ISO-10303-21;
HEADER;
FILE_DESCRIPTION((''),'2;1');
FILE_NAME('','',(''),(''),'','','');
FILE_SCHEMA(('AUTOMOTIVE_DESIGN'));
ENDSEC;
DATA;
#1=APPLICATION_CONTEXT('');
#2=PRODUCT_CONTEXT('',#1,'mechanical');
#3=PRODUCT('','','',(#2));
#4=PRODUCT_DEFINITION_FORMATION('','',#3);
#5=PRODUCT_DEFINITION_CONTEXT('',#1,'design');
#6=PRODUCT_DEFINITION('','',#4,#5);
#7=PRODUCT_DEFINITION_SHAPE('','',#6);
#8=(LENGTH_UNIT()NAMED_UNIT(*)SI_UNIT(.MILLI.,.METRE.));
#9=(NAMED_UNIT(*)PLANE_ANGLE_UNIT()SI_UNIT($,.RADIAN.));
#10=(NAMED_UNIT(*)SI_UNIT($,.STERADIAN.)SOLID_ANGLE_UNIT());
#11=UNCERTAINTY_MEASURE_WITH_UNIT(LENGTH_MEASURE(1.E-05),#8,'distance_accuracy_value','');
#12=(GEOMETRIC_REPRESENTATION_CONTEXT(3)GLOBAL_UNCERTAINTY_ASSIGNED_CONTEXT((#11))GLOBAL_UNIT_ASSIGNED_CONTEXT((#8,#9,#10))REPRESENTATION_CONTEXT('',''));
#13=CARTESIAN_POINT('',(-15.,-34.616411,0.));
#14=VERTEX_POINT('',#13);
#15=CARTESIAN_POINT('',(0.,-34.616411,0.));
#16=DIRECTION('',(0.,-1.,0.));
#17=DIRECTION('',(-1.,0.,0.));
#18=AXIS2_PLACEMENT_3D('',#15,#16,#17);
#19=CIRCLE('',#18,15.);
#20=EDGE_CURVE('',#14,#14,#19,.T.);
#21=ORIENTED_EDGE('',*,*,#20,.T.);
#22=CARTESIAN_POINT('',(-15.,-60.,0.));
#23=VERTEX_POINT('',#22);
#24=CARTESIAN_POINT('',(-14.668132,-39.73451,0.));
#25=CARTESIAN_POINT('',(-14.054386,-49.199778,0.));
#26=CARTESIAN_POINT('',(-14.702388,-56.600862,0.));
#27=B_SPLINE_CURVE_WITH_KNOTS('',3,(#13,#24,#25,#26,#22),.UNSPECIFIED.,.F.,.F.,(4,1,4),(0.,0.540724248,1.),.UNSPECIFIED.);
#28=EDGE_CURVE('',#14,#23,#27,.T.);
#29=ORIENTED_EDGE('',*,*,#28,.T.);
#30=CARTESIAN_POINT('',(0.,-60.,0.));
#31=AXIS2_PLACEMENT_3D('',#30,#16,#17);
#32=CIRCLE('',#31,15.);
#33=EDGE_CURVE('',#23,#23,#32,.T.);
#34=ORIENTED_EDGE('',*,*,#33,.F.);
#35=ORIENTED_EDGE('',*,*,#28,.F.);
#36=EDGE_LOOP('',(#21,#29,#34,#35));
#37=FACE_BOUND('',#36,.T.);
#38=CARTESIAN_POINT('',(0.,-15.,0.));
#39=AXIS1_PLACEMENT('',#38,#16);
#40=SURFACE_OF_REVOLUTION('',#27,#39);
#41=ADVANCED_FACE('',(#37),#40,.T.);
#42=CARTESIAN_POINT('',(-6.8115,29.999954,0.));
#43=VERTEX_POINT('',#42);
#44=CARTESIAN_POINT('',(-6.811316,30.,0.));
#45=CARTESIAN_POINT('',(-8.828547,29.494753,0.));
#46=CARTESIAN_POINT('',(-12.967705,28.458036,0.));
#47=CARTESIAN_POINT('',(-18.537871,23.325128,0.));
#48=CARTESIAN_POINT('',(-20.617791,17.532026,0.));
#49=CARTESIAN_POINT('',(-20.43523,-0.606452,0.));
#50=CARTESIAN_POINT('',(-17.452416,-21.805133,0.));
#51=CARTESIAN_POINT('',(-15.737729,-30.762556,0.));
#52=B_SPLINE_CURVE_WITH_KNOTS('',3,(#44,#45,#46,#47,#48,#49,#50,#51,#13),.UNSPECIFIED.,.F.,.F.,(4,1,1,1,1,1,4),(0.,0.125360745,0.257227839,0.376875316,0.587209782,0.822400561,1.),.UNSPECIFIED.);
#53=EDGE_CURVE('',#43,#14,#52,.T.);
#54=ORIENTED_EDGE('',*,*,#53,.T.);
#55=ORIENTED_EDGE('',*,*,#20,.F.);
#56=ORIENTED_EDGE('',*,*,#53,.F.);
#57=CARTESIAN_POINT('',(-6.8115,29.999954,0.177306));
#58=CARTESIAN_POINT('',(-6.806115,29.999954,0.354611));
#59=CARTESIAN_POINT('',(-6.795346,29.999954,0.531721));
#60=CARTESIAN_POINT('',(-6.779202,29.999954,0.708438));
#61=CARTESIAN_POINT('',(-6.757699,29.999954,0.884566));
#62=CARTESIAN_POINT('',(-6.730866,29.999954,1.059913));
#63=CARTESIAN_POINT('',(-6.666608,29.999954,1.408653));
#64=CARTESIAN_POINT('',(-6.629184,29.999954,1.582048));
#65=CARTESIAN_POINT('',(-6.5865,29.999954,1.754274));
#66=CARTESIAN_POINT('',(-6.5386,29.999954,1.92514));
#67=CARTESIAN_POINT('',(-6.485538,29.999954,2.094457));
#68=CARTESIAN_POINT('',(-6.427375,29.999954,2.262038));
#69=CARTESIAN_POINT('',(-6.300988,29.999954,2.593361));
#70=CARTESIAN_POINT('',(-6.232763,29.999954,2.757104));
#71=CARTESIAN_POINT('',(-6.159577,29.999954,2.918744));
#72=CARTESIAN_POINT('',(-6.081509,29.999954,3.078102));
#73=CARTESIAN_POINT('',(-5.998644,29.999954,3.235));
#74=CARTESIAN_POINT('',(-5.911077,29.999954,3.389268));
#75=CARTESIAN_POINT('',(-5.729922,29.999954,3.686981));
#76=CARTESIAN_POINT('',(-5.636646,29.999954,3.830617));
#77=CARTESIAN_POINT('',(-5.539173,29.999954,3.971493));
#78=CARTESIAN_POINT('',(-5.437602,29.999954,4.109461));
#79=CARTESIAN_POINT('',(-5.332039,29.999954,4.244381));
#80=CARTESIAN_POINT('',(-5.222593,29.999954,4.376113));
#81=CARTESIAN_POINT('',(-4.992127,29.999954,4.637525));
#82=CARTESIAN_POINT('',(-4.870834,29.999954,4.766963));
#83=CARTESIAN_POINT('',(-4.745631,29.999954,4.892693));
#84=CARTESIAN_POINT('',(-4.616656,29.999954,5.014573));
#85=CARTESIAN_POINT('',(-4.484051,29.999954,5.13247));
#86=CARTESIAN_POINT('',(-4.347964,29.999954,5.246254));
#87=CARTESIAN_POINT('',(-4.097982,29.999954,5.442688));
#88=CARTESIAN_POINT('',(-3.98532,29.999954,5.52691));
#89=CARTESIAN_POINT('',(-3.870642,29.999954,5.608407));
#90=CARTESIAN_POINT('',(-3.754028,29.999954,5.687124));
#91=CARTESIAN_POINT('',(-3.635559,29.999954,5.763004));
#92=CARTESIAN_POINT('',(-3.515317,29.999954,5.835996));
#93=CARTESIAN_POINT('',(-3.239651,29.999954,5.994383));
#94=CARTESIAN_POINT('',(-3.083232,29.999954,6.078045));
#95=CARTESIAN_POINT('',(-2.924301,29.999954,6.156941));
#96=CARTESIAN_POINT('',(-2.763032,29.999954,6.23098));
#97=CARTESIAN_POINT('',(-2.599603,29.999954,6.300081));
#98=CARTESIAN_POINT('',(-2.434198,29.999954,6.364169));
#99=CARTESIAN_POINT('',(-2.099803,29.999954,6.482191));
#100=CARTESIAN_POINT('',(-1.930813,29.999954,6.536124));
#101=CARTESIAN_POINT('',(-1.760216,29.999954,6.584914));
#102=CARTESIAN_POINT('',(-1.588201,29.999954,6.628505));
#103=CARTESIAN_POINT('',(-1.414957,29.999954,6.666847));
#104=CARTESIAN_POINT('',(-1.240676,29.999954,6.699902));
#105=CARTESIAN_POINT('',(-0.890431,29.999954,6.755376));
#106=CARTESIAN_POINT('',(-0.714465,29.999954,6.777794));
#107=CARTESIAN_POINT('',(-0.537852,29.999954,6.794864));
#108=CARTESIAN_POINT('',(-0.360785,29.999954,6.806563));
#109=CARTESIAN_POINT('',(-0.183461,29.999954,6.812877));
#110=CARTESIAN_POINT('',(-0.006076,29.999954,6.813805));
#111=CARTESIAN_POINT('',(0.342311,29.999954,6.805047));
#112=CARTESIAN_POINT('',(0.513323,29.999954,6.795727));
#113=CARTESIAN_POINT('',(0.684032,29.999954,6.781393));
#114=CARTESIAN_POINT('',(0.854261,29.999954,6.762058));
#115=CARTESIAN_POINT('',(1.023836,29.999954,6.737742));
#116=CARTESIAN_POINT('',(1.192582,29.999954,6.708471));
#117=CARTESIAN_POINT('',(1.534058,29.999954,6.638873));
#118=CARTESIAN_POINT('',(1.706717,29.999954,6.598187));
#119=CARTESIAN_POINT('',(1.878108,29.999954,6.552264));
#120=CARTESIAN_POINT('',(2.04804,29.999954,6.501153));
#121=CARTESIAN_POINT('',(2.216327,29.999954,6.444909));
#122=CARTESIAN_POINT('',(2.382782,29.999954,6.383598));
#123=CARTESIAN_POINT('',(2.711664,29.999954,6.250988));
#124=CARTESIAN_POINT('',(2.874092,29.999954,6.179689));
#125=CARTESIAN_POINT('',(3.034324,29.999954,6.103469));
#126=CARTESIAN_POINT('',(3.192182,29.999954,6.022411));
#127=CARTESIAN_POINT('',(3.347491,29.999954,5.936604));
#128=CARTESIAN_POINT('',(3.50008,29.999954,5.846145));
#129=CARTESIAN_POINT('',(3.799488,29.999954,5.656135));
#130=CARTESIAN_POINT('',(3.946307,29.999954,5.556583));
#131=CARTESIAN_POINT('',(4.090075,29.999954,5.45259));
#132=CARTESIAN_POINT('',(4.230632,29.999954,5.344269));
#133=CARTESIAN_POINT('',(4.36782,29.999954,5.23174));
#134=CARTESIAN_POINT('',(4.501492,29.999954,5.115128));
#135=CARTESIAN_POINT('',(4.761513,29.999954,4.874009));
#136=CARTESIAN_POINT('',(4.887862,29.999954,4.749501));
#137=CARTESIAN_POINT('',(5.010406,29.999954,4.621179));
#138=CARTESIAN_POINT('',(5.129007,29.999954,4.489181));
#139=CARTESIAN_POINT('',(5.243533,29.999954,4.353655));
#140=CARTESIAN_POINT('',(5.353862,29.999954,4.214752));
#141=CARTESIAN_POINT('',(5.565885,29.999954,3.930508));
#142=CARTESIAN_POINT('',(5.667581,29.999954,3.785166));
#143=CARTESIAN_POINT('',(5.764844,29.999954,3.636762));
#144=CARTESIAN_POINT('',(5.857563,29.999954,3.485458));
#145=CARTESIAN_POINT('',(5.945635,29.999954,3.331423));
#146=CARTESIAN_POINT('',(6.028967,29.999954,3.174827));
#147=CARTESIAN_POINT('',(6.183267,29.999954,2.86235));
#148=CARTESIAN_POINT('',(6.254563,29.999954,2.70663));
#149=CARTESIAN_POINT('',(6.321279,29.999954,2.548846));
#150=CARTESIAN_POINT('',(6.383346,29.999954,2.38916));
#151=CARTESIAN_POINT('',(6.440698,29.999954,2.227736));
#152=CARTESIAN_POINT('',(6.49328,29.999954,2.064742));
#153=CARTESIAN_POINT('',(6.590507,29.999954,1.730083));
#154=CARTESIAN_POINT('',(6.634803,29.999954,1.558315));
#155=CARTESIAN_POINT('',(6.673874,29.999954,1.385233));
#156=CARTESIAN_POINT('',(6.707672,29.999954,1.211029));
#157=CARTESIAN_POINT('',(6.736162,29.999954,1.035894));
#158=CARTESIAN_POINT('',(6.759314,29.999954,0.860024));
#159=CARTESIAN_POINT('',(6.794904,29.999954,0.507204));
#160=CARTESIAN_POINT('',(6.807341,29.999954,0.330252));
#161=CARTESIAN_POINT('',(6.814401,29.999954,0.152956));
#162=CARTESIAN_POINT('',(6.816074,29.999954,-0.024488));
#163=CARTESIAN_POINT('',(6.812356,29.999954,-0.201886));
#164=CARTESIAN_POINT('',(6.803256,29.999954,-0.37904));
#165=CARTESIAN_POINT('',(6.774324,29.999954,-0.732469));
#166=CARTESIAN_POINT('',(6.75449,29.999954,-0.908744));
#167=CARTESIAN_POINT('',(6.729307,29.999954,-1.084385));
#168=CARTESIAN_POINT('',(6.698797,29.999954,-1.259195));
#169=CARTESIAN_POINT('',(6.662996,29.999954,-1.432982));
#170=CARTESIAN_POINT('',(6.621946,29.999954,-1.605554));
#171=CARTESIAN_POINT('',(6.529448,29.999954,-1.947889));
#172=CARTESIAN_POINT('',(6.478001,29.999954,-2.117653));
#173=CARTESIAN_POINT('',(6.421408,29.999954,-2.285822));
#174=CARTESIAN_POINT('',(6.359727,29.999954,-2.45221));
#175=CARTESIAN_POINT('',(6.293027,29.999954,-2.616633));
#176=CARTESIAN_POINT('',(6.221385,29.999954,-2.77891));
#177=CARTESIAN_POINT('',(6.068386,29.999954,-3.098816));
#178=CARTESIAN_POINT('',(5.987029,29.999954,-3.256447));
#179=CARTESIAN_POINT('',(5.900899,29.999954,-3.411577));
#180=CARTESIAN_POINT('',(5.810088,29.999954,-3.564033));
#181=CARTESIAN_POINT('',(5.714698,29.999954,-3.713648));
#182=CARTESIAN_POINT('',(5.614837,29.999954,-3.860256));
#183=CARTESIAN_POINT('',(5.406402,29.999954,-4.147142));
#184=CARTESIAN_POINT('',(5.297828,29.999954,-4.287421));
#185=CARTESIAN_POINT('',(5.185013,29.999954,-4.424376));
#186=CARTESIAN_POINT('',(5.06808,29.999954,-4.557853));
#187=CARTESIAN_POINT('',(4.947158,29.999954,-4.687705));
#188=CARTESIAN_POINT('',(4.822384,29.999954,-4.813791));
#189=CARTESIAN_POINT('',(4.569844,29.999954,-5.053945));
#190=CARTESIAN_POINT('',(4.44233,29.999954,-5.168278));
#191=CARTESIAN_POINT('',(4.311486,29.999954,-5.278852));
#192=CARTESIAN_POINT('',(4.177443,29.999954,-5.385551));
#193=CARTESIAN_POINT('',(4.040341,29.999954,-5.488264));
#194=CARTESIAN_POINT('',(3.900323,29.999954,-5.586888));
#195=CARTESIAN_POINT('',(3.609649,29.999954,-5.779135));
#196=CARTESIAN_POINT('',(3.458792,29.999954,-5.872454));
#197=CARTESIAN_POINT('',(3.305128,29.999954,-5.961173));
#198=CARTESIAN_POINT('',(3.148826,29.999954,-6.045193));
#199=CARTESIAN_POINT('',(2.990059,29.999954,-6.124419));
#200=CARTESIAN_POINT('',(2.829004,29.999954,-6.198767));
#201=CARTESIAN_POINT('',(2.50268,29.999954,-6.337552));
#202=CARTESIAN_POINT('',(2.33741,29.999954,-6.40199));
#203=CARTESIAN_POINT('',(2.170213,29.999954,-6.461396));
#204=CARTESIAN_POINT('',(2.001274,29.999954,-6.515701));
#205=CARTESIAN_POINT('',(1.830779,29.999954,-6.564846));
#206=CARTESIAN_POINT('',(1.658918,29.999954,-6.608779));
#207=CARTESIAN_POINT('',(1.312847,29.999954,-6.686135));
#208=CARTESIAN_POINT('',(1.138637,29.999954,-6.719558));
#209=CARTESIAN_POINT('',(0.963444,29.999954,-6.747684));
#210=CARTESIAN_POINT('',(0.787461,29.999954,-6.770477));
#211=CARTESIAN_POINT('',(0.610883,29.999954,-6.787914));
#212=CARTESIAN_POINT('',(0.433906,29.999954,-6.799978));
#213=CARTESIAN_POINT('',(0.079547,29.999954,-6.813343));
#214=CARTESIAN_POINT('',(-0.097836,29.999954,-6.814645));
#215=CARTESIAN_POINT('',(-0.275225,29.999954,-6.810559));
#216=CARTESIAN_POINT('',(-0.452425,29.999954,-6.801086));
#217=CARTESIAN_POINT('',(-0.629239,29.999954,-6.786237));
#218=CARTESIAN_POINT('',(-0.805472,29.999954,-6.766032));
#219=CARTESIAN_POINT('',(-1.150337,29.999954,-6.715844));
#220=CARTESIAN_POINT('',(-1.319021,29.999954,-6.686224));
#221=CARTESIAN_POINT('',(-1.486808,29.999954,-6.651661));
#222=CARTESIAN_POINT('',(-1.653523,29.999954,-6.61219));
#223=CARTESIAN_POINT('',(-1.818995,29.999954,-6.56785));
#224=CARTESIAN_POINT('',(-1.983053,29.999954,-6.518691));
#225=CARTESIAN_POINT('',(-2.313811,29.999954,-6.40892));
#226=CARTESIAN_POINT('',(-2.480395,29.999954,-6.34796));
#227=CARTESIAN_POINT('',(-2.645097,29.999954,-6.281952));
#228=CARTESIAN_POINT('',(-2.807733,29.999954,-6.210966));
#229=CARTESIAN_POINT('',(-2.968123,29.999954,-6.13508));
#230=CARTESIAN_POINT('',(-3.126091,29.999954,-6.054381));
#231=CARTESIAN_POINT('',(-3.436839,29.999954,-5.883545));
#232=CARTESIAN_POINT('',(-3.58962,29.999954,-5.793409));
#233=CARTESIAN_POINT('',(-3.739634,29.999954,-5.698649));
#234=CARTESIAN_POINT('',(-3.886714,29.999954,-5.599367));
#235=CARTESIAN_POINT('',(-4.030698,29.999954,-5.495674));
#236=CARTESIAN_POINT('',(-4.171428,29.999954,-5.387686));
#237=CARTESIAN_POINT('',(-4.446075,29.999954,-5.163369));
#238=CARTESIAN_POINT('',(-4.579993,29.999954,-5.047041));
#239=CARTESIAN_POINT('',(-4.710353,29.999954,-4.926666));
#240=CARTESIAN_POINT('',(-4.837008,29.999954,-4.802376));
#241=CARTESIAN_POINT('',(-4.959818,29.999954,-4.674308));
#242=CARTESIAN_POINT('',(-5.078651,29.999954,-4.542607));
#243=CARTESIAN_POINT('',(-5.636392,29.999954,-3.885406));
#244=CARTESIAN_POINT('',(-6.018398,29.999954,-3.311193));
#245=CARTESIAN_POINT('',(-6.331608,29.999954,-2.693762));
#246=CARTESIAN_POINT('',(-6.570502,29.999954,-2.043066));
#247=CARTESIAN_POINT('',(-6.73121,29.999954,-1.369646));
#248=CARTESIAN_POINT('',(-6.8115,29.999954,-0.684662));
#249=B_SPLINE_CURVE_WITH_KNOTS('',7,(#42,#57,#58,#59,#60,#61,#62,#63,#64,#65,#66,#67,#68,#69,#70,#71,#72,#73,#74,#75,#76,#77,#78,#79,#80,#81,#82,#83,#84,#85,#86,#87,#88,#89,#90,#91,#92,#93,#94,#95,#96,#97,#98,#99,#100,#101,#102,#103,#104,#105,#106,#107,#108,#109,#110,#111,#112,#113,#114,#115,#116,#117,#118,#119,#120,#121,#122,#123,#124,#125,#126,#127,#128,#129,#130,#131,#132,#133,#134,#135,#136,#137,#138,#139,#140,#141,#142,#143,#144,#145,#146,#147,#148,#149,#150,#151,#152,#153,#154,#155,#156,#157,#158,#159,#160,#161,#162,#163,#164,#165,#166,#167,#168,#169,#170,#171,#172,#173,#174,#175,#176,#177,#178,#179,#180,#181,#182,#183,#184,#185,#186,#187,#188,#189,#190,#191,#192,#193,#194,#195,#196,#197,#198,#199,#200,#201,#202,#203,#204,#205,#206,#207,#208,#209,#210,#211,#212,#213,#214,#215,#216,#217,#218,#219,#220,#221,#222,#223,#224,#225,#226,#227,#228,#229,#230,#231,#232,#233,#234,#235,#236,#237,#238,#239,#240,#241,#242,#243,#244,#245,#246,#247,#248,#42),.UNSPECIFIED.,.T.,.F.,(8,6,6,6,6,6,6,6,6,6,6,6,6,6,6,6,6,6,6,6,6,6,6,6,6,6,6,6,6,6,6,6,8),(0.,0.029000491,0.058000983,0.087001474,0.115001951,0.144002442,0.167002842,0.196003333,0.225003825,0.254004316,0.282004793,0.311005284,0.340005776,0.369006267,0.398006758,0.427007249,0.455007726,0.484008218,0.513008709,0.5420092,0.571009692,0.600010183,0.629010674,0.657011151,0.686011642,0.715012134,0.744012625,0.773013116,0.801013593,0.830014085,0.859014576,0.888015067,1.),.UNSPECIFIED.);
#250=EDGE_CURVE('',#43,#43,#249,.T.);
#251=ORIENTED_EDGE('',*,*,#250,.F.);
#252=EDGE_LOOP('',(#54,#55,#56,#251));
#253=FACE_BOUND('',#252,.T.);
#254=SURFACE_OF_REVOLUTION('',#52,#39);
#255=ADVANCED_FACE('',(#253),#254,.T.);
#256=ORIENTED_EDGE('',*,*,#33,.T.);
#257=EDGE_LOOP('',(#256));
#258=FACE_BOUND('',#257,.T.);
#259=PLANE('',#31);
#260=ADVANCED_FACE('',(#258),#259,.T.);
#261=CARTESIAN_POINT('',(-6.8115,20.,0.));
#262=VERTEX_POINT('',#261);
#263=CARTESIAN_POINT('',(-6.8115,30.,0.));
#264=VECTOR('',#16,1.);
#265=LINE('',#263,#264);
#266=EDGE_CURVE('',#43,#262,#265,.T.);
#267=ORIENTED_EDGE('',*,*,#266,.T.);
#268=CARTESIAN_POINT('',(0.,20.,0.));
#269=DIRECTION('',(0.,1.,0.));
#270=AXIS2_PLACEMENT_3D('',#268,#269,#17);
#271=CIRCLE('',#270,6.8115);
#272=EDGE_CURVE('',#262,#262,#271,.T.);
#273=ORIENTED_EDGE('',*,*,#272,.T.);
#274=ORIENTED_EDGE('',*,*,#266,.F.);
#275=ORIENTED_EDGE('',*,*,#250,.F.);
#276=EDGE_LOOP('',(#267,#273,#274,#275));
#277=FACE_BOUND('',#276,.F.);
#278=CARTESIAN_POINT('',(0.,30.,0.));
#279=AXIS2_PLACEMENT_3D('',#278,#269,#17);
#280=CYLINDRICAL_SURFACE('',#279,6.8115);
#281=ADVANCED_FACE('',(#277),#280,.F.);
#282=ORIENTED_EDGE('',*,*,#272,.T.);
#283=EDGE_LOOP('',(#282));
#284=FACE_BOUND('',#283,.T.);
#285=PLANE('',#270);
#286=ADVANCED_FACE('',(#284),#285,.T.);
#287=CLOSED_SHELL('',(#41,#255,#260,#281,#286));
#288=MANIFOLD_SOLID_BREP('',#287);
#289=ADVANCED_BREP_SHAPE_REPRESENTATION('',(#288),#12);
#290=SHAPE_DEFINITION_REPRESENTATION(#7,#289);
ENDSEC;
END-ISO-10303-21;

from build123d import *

# Parameters (mm, degrees)
F2_R     = 6.8115
F3_DEPTH = 10


with BuildPart() as f1:
    # F0 (on Top) → F1 (revolve)
    with BuildSketch(Plane.XY):
        with BuildLine():
            Line((0, -60), (0, 30))
            Line((0, 30), (-6.8113161251, 30))
            add(Edge.make_bspline(
                [(-6.8113161251, 30), (-8.8285469757, 29.4947528509), (-12.9677049795, 28.4580357192), (-18.5378714588, 23.3251278396), (-20.6177914254, 17.5320263744), (-20.4352303111, -0.6064519779), (-17.4524161302, -21.8051325396), (-15.7377292661, -30.7625562649), (-15, -34.6164107323)],
                knots=[0, 0, 0, 0, 0.1253607453, 0.257227839, 0.3768753162, 0.5872097816, 0.8224005611, 1, 1, 1, 1], degree=3))
            add(Edge.make_bspline(
                [(-15, -34.6164107323), (-14.6681324569, -39.7345104782), (-14.054386089, -49.1997781575), (-14.702388298, -56.6008617608), (-15, -60)],
                knots=[0, 0, 0, 0, 0.5407242478, 1, 1, 1, 1], degree=3))
            Line((-15, -60), (0, -60))
        make_face()
    revolve(axis=Axis((0, -15, 0), (0, -1, 0)))

    # F2 (on face) → F3 (cut)
    with BuildSketch(Plane(origin=(0, 30, 0), x_dir=(-1, 0, 0), z_dir=(0, 1, 0))):
        Circle(F2_R)
    extrude(amount=-F3_DEPTH, mode=Mode.SUBTRACT)


solid = f1.part
